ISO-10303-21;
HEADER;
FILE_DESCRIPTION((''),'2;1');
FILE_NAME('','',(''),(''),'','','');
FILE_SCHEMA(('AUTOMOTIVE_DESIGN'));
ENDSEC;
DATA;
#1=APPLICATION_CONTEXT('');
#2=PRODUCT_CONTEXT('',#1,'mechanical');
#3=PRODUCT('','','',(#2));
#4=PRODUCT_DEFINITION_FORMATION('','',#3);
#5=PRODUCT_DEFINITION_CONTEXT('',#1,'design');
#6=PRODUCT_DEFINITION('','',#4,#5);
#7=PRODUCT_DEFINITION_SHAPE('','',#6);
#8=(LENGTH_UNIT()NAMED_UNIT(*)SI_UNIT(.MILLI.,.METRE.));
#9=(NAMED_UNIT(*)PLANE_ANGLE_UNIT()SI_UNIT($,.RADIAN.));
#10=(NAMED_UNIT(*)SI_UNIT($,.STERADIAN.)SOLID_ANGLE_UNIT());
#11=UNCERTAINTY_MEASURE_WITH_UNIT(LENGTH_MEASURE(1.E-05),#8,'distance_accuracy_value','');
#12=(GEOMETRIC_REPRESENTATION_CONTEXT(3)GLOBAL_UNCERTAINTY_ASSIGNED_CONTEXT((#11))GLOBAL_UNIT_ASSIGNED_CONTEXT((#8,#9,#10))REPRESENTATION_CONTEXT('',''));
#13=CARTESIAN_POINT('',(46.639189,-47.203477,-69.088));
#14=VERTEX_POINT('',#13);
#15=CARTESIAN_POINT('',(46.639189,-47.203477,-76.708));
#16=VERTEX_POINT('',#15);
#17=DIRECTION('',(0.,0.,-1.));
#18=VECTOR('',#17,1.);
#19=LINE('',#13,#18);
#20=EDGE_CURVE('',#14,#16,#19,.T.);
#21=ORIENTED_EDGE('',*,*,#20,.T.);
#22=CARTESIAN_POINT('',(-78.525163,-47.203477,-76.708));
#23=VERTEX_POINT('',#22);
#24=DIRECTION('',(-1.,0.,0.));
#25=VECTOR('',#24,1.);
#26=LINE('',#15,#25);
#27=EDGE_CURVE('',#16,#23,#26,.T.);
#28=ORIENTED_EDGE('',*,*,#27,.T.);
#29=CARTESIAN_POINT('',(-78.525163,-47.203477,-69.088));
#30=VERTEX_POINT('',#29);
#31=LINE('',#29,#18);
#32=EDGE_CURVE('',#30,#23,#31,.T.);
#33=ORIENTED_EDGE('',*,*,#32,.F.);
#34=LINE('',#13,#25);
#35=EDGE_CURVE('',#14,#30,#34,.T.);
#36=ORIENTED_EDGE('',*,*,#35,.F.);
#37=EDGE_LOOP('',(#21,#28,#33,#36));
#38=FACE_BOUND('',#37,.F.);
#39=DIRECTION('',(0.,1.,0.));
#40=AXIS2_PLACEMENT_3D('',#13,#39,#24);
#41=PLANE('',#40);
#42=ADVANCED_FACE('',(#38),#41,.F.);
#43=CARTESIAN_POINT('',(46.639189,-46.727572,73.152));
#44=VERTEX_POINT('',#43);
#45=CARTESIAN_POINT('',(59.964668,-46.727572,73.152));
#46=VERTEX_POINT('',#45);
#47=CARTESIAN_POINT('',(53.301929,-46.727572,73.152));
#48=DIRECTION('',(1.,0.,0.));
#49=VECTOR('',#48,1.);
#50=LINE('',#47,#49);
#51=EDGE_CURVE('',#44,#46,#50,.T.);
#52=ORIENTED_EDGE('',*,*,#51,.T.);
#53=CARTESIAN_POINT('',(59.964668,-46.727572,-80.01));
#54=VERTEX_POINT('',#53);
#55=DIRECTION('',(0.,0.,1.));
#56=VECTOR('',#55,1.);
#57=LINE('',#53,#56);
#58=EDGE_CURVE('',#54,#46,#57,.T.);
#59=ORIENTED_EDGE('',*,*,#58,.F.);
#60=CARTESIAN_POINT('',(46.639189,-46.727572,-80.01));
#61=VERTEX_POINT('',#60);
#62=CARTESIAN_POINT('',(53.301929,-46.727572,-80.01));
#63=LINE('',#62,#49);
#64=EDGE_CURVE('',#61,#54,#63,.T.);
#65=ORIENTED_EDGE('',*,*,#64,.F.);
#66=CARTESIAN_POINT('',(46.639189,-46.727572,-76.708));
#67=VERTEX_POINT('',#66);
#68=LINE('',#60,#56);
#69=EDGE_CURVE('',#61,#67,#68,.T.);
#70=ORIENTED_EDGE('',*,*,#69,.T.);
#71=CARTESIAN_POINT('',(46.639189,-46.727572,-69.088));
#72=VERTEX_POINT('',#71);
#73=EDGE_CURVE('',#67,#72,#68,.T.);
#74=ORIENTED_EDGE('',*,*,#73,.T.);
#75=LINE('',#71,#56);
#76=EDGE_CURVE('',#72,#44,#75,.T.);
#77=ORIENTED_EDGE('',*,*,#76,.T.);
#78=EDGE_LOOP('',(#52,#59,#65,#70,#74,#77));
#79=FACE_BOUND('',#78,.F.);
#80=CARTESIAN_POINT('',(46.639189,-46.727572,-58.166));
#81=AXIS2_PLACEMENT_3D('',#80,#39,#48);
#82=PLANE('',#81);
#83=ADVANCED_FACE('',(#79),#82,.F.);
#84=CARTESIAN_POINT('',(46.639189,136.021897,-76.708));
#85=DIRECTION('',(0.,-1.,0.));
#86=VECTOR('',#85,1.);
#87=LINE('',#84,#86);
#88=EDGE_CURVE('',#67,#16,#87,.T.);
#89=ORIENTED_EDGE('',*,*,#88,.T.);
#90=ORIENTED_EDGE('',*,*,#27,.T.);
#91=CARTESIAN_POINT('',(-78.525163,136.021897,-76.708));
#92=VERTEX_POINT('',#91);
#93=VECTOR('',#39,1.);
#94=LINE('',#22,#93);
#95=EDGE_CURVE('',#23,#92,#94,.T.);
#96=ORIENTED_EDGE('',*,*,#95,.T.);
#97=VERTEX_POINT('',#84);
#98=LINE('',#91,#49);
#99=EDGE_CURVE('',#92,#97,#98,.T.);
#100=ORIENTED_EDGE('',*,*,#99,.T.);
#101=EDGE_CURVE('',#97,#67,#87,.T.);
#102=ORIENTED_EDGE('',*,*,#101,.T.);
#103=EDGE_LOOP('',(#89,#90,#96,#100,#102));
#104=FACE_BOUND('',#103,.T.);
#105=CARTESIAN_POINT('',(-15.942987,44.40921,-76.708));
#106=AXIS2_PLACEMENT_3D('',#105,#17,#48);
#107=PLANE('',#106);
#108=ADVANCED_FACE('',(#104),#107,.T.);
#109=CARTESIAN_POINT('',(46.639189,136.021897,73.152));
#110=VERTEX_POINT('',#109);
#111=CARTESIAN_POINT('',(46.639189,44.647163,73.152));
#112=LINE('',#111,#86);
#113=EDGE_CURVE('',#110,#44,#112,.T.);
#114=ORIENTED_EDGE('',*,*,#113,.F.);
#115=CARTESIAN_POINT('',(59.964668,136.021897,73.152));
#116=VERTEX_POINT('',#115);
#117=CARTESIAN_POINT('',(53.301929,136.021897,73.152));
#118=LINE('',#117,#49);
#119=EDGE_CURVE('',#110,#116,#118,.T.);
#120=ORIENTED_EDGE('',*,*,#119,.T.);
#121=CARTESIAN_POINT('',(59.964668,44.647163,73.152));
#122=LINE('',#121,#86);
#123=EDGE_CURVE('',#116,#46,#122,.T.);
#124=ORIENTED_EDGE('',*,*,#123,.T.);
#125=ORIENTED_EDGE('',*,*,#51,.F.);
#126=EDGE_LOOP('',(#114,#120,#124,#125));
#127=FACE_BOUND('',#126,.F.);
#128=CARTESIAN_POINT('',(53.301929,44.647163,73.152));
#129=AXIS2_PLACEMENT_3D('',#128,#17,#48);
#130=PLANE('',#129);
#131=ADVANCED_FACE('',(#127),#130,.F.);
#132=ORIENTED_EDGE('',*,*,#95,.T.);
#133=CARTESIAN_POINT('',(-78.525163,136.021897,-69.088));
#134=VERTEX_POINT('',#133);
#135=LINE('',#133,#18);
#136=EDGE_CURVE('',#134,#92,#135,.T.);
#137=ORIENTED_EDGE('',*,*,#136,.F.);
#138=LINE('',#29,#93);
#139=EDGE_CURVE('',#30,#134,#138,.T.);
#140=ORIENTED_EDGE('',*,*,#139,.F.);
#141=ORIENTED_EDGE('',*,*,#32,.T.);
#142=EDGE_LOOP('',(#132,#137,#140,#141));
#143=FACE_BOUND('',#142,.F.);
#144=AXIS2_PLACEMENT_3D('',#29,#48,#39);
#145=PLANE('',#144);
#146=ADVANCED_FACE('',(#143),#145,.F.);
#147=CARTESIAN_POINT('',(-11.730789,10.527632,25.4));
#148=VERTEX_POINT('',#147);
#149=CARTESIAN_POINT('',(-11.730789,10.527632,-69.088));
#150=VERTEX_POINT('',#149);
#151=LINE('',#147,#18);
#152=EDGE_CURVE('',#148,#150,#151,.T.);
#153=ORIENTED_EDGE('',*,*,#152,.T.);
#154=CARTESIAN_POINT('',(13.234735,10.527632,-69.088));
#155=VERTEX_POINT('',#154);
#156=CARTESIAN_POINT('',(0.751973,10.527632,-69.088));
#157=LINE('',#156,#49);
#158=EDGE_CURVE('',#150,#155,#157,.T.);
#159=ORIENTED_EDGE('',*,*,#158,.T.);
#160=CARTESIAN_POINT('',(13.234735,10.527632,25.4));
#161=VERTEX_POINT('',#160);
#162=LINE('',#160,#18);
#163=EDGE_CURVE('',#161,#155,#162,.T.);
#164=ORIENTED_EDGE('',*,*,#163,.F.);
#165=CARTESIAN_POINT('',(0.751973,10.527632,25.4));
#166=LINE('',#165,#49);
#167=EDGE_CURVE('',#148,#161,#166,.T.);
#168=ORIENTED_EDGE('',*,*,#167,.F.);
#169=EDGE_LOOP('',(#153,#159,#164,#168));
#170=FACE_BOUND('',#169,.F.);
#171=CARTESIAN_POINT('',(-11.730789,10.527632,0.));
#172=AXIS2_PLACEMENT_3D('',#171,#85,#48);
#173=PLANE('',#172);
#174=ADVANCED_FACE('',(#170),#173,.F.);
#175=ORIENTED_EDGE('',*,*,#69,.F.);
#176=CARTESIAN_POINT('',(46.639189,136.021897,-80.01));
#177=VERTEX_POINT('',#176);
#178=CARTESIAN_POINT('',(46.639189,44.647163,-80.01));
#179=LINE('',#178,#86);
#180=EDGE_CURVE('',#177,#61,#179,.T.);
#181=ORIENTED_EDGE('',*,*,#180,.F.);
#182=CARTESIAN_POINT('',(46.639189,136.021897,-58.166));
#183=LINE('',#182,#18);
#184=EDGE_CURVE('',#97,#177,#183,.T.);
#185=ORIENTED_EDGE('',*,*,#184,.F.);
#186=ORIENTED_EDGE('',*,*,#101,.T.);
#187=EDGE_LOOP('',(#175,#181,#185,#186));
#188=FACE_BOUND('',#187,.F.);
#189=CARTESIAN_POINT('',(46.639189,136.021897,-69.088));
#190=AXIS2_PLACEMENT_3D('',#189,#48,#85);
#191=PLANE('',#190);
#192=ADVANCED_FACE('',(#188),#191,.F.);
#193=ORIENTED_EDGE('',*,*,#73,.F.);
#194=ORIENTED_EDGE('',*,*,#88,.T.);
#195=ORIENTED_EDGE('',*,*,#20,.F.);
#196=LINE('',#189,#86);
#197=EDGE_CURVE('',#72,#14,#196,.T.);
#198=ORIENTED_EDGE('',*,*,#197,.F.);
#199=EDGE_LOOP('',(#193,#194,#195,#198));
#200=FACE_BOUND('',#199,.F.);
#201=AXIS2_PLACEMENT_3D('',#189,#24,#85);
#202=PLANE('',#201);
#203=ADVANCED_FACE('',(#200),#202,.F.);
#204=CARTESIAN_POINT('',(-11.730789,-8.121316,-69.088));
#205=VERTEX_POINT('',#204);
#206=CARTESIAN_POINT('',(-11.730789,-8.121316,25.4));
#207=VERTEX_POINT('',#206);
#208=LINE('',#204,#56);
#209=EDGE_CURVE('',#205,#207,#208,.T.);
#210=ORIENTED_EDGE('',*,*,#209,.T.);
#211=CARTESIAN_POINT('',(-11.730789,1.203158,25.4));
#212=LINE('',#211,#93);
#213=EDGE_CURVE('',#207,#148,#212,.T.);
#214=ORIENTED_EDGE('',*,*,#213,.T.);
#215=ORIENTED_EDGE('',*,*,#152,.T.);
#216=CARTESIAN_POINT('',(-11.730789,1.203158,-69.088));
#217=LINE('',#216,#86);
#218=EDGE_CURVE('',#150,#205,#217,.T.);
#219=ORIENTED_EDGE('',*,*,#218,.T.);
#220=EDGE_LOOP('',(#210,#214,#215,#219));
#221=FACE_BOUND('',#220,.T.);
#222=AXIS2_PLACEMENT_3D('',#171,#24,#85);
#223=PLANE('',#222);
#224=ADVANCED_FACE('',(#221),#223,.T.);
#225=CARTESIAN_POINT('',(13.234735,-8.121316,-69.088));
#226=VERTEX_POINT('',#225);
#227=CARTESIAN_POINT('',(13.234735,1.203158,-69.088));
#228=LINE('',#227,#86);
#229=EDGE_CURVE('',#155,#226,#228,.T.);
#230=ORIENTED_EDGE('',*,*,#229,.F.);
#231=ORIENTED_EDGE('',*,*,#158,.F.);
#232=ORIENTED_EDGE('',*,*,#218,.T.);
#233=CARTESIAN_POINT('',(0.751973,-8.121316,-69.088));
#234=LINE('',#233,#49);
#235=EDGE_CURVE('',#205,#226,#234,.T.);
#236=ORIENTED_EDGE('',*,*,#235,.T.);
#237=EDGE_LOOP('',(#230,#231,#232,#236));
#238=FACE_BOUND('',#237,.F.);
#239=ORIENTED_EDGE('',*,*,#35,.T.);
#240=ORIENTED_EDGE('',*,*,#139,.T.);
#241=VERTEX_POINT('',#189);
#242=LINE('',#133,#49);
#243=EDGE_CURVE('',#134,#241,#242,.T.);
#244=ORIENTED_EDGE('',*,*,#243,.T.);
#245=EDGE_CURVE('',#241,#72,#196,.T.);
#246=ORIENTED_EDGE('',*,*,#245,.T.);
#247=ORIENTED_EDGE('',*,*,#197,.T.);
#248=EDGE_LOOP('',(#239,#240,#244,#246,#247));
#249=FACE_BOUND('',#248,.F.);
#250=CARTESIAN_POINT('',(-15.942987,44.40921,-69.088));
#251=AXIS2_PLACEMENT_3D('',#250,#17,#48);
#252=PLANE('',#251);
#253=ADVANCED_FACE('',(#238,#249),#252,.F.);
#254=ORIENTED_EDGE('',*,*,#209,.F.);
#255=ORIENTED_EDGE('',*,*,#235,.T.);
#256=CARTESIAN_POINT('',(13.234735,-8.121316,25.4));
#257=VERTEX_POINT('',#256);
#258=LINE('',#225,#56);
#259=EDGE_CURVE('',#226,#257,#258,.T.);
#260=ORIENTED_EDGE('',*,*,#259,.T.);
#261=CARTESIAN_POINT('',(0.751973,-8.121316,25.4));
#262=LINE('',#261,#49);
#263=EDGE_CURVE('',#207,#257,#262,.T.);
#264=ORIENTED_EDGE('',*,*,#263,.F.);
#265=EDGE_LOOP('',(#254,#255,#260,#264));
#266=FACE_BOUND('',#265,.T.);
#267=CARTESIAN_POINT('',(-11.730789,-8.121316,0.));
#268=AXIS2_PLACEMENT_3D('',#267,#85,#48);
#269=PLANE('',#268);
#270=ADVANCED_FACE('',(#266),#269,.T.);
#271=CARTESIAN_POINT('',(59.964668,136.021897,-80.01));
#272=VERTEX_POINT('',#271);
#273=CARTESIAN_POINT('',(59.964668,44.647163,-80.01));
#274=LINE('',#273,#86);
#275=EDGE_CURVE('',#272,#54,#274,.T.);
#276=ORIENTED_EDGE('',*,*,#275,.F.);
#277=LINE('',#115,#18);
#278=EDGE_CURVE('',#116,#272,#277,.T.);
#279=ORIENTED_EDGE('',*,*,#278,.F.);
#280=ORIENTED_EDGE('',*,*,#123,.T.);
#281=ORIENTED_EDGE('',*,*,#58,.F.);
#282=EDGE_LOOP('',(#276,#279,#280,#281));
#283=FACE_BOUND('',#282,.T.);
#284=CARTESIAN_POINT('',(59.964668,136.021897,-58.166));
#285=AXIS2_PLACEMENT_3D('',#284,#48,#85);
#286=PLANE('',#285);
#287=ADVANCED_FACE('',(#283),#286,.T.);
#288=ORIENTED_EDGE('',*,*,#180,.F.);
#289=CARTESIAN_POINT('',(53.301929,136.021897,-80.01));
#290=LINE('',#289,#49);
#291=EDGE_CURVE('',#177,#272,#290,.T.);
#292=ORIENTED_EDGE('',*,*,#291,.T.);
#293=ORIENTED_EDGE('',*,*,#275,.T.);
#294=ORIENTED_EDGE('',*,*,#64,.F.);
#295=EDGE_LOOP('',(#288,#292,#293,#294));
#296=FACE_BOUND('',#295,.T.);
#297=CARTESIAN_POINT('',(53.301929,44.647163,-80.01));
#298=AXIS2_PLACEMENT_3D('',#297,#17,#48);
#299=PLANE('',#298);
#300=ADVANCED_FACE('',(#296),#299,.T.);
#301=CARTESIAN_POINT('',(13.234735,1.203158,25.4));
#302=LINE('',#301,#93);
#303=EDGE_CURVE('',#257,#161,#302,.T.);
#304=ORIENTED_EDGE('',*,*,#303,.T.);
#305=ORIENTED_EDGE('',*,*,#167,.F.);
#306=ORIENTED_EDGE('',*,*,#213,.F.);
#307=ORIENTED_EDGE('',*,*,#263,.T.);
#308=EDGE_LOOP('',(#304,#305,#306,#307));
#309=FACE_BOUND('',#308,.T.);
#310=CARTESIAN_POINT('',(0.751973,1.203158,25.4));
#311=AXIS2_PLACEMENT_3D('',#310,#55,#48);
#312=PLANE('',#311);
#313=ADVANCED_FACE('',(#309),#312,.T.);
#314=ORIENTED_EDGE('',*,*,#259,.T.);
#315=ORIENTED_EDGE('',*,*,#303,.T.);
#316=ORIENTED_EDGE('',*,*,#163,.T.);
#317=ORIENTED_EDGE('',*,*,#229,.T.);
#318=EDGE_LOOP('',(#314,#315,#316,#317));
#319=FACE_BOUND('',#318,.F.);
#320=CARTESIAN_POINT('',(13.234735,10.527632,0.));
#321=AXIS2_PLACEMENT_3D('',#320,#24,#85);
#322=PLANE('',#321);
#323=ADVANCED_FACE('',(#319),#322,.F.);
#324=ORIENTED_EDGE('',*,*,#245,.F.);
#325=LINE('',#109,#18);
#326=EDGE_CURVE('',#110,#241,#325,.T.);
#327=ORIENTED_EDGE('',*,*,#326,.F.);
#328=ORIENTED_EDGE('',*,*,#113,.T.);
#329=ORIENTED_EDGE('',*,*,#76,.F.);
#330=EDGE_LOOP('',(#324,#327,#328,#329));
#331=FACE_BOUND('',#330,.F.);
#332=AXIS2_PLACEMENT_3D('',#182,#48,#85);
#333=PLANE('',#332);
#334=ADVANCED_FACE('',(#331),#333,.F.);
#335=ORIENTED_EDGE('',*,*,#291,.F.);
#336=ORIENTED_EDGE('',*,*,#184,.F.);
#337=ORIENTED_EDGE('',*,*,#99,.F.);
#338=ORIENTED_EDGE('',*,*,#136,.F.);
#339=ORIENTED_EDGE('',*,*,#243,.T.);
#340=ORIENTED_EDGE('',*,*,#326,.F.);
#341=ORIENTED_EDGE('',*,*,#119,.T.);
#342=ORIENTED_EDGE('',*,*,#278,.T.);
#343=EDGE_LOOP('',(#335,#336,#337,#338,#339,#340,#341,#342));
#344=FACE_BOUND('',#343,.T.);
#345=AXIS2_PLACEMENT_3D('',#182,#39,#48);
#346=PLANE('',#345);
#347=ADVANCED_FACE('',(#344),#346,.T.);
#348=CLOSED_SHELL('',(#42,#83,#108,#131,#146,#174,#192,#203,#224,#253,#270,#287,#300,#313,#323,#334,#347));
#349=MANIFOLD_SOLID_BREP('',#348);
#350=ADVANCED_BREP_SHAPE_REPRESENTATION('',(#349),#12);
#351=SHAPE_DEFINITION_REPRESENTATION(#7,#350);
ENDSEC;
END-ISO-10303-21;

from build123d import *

# Parameters (mm, degrees)
F0_W     = 24.9655246735
F0_H     = 18.6489485204
F1_DEPTH = 25.4
F2_W     = 24.9655246735
F2_H     = 18.6489485204
F3_DEPTH = 69.088
F4_W     = 24.9655246735
F4_H     = 18.6489485204
F5_DEPTH = 7.62
F4_W_2   = 13.3254788816
F4_H_2   = 182.7494688332
F6_DEPTH = 10.922
F7_DEPTH = 131.318


with BuildPart() as f1:
    # F0 (on Top) → F1 (new body)
    with BuildSketch(Plane.XY):
        with Locations((0.7519731298, 1.203157939)):
            Rectangle(F0_W, F0_H)
    extrude(amount=F1_DEPTH)

    # F2 (on face) → F3 (join)
    with BuildSketch(Plane(origin=(0, 0, 0), x_dir=(1, 0, 0), z_dir=(0, 0, -1))):
        with Locations((0.7519731298, -1.203157939)):
            Rectangle(F2_W, F2_H)
    extrude(amount=F3_DEPTH)

    # F4 (on face) → F5 (join)
    with BuildSketch(Plane(origin=(0, 0, -69.088), x_dir=(1, 0, 0), z_dir=(0, 0, -1))):
        Polygon((46.6391891241, 47.2034774721), (-78.5251632333, 47.2034774721), (-78.5251632333, -136.0218971968), (46.6391891241, -136.0218971968), (46.6391891241, 46.7275716364), align=None)
        with Locations((0.7519731298, -1.203157939)):
            Rectangle(F4_W, F4_H, mode=Mode.SUBTRACT)
        with Locations((0.7519731298, -1.203157939)):
            Rectangle(F4_W, F4_H)
    extrude(amount=F5_DEPTH)

    # F4 (on face) → F6 (join, symmetric)
    with BuildSketch(Plane(origin=(0, 0, -69.088), x_dir=(1, 0, 0), z_dir=(0, 0, -1))):
        with Locations((53.3019285649, -44.6471627802)):
            Rectangle(F4_W_2, F4_H_2)
    extrude(amount=F6_DEPTH, both=True)

    # F7 (add): a face of the model
    f7_faces = [f1.faces().sort_by_distance(p)[0] for p in [
        (53.3019285649, 44.6471627802, -58.166),
    ]]
    extrude(f7_faces, amount=F7_DEPTH)


solid = f1.part
